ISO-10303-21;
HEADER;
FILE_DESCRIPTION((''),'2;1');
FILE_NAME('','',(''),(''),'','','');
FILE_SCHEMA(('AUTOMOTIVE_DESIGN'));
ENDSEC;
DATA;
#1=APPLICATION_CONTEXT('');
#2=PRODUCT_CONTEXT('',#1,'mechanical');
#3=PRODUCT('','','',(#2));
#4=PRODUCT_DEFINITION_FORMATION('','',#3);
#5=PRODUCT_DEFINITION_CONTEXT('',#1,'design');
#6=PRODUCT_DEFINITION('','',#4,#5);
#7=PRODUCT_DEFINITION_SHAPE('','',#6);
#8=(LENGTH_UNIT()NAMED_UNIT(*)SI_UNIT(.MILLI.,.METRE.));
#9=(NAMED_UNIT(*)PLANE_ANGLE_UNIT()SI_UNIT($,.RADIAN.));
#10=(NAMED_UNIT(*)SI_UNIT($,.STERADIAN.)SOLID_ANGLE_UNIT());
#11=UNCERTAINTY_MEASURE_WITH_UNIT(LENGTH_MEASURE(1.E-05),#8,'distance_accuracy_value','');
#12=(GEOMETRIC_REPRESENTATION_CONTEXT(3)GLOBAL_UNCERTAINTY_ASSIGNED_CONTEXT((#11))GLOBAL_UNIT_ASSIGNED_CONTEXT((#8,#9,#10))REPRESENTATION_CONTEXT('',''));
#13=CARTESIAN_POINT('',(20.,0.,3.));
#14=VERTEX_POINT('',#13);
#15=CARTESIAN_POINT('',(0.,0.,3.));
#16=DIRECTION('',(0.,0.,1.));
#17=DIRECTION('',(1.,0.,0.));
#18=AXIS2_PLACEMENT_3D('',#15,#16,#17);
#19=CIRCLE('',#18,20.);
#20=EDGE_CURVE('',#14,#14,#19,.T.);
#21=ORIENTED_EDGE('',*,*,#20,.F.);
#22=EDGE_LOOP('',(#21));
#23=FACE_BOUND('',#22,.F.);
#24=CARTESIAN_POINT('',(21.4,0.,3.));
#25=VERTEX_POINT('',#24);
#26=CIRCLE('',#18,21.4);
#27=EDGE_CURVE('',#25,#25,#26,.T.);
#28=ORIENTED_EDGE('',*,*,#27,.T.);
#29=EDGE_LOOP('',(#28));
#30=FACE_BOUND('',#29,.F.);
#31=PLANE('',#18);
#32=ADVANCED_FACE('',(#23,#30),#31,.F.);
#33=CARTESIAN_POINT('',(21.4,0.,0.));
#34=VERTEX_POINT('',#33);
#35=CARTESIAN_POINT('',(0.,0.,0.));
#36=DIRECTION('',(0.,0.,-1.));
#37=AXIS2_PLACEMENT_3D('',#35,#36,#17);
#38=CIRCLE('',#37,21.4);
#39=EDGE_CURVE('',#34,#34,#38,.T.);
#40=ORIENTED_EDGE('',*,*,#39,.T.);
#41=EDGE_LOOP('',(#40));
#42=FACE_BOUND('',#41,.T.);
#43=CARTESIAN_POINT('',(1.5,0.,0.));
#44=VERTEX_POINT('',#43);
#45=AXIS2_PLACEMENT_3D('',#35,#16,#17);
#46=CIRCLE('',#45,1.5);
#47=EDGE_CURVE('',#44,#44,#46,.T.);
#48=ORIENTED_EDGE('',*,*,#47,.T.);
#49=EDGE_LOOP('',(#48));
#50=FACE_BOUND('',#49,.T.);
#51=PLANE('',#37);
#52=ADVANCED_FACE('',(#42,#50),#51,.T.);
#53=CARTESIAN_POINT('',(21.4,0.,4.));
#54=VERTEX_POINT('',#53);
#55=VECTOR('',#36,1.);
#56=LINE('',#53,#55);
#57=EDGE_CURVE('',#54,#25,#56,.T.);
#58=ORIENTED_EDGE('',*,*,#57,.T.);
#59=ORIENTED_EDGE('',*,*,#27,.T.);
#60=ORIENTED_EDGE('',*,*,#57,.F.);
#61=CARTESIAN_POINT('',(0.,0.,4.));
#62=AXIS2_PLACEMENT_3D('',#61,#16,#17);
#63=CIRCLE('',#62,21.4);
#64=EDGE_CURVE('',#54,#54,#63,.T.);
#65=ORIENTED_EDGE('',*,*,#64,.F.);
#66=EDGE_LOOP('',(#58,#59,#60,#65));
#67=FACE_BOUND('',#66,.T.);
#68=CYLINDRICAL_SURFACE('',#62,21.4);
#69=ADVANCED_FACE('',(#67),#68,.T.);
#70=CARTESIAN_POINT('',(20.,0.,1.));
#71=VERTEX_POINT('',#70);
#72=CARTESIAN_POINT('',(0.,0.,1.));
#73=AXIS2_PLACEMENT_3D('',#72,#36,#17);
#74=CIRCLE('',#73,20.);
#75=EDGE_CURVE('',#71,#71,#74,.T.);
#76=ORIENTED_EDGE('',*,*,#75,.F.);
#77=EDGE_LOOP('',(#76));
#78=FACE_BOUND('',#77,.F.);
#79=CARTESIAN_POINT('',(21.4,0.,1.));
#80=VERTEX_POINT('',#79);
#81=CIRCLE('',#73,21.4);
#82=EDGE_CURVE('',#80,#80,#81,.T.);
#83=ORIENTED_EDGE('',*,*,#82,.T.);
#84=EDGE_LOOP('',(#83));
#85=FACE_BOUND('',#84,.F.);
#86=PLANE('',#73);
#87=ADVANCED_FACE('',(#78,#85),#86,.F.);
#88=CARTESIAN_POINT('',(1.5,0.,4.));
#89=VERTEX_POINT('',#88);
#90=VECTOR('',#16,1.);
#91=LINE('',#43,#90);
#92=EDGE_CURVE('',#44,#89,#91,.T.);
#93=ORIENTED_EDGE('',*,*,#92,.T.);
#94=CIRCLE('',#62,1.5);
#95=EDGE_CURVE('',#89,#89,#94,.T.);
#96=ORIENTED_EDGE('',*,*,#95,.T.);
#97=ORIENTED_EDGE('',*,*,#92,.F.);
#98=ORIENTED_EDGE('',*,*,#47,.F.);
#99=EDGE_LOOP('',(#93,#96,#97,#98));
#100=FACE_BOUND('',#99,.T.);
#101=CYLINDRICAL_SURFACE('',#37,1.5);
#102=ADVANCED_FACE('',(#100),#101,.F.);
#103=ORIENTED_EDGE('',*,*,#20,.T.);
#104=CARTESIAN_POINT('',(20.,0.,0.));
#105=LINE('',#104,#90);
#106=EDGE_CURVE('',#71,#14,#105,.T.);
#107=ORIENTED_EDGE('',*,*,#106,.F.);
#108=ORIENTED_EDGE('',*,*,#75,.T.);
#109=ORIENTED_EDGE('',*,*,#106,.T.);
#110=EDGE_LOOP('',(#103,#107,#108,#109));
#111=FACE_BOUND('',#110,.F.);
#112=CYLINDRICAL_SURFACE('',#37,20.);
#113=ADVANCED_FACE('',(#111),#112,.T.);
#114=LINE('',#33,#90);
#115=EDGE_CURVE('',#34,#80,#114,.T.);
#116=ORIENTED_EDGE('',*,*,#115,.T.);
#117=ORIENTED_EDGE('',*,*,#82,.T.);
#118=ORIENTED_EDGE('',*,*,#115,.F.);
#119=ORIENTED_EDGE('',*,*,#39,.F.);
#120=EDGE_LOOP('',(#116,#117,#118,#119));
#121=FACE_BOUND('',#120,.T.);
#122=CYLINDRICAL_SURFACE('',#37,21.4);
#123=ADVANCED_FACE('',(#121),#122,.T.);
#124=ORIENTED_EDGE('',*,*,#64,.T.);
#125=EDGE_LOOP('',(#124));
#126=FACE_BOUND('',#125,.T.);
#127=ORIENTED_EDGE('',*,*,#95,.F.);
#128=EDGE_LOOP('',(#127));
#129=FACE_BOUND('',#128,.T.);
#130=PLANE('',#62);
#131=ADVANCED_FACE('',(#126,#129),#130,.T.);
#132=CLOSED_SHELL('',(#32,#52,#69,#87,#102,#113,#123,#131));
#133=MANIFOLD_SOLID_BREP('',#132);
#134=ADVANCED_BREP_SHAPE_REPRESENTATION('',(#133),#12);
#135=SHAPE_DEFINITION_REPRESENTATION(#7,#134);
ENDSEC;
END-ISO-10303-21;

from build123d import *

# Parameters (mm, degrees)
F0_R     = 20
F0_R_2   = 1.5
F1_DEPTH = 4
F2_R     = 21.4
F2_R_2   = 20
F3_DEPTH = 1
F4_R     = 21.4
F4_R_2   = 20
F5_DEPTH = 1


with BuildPart() as f1:
    # F0 (on Top) → F1 (new body)
    with BuildSketch(Plane.XY):
        Circle(F0_R)
        Circle(F0_R_2, mode=Mode.SUBTRACT)
    extrude(amount=F1_DEPTH)

    # F2 (on face) → F3 (join)
    with BuildSketch(Plane.XY.offset(4)):
        Circle(F2_R)
        Circle(F2_R_2, mode=Mode.SUBTRACT)
    extrude(amount=-F3_DEPTH)

    # F4 (on face) → F5 (join)
    with BuildSketch(Plane(origin=(0, 0, 0), x_dir=(1, 0, 0), z_dir=(0, 0, -1))):
        Circle(F4_R)
        Circle(F4_R_2, mode=Mode.SUBTRACT)
    extrude(amount=-F5_DEPTH)


solid = f1.part
